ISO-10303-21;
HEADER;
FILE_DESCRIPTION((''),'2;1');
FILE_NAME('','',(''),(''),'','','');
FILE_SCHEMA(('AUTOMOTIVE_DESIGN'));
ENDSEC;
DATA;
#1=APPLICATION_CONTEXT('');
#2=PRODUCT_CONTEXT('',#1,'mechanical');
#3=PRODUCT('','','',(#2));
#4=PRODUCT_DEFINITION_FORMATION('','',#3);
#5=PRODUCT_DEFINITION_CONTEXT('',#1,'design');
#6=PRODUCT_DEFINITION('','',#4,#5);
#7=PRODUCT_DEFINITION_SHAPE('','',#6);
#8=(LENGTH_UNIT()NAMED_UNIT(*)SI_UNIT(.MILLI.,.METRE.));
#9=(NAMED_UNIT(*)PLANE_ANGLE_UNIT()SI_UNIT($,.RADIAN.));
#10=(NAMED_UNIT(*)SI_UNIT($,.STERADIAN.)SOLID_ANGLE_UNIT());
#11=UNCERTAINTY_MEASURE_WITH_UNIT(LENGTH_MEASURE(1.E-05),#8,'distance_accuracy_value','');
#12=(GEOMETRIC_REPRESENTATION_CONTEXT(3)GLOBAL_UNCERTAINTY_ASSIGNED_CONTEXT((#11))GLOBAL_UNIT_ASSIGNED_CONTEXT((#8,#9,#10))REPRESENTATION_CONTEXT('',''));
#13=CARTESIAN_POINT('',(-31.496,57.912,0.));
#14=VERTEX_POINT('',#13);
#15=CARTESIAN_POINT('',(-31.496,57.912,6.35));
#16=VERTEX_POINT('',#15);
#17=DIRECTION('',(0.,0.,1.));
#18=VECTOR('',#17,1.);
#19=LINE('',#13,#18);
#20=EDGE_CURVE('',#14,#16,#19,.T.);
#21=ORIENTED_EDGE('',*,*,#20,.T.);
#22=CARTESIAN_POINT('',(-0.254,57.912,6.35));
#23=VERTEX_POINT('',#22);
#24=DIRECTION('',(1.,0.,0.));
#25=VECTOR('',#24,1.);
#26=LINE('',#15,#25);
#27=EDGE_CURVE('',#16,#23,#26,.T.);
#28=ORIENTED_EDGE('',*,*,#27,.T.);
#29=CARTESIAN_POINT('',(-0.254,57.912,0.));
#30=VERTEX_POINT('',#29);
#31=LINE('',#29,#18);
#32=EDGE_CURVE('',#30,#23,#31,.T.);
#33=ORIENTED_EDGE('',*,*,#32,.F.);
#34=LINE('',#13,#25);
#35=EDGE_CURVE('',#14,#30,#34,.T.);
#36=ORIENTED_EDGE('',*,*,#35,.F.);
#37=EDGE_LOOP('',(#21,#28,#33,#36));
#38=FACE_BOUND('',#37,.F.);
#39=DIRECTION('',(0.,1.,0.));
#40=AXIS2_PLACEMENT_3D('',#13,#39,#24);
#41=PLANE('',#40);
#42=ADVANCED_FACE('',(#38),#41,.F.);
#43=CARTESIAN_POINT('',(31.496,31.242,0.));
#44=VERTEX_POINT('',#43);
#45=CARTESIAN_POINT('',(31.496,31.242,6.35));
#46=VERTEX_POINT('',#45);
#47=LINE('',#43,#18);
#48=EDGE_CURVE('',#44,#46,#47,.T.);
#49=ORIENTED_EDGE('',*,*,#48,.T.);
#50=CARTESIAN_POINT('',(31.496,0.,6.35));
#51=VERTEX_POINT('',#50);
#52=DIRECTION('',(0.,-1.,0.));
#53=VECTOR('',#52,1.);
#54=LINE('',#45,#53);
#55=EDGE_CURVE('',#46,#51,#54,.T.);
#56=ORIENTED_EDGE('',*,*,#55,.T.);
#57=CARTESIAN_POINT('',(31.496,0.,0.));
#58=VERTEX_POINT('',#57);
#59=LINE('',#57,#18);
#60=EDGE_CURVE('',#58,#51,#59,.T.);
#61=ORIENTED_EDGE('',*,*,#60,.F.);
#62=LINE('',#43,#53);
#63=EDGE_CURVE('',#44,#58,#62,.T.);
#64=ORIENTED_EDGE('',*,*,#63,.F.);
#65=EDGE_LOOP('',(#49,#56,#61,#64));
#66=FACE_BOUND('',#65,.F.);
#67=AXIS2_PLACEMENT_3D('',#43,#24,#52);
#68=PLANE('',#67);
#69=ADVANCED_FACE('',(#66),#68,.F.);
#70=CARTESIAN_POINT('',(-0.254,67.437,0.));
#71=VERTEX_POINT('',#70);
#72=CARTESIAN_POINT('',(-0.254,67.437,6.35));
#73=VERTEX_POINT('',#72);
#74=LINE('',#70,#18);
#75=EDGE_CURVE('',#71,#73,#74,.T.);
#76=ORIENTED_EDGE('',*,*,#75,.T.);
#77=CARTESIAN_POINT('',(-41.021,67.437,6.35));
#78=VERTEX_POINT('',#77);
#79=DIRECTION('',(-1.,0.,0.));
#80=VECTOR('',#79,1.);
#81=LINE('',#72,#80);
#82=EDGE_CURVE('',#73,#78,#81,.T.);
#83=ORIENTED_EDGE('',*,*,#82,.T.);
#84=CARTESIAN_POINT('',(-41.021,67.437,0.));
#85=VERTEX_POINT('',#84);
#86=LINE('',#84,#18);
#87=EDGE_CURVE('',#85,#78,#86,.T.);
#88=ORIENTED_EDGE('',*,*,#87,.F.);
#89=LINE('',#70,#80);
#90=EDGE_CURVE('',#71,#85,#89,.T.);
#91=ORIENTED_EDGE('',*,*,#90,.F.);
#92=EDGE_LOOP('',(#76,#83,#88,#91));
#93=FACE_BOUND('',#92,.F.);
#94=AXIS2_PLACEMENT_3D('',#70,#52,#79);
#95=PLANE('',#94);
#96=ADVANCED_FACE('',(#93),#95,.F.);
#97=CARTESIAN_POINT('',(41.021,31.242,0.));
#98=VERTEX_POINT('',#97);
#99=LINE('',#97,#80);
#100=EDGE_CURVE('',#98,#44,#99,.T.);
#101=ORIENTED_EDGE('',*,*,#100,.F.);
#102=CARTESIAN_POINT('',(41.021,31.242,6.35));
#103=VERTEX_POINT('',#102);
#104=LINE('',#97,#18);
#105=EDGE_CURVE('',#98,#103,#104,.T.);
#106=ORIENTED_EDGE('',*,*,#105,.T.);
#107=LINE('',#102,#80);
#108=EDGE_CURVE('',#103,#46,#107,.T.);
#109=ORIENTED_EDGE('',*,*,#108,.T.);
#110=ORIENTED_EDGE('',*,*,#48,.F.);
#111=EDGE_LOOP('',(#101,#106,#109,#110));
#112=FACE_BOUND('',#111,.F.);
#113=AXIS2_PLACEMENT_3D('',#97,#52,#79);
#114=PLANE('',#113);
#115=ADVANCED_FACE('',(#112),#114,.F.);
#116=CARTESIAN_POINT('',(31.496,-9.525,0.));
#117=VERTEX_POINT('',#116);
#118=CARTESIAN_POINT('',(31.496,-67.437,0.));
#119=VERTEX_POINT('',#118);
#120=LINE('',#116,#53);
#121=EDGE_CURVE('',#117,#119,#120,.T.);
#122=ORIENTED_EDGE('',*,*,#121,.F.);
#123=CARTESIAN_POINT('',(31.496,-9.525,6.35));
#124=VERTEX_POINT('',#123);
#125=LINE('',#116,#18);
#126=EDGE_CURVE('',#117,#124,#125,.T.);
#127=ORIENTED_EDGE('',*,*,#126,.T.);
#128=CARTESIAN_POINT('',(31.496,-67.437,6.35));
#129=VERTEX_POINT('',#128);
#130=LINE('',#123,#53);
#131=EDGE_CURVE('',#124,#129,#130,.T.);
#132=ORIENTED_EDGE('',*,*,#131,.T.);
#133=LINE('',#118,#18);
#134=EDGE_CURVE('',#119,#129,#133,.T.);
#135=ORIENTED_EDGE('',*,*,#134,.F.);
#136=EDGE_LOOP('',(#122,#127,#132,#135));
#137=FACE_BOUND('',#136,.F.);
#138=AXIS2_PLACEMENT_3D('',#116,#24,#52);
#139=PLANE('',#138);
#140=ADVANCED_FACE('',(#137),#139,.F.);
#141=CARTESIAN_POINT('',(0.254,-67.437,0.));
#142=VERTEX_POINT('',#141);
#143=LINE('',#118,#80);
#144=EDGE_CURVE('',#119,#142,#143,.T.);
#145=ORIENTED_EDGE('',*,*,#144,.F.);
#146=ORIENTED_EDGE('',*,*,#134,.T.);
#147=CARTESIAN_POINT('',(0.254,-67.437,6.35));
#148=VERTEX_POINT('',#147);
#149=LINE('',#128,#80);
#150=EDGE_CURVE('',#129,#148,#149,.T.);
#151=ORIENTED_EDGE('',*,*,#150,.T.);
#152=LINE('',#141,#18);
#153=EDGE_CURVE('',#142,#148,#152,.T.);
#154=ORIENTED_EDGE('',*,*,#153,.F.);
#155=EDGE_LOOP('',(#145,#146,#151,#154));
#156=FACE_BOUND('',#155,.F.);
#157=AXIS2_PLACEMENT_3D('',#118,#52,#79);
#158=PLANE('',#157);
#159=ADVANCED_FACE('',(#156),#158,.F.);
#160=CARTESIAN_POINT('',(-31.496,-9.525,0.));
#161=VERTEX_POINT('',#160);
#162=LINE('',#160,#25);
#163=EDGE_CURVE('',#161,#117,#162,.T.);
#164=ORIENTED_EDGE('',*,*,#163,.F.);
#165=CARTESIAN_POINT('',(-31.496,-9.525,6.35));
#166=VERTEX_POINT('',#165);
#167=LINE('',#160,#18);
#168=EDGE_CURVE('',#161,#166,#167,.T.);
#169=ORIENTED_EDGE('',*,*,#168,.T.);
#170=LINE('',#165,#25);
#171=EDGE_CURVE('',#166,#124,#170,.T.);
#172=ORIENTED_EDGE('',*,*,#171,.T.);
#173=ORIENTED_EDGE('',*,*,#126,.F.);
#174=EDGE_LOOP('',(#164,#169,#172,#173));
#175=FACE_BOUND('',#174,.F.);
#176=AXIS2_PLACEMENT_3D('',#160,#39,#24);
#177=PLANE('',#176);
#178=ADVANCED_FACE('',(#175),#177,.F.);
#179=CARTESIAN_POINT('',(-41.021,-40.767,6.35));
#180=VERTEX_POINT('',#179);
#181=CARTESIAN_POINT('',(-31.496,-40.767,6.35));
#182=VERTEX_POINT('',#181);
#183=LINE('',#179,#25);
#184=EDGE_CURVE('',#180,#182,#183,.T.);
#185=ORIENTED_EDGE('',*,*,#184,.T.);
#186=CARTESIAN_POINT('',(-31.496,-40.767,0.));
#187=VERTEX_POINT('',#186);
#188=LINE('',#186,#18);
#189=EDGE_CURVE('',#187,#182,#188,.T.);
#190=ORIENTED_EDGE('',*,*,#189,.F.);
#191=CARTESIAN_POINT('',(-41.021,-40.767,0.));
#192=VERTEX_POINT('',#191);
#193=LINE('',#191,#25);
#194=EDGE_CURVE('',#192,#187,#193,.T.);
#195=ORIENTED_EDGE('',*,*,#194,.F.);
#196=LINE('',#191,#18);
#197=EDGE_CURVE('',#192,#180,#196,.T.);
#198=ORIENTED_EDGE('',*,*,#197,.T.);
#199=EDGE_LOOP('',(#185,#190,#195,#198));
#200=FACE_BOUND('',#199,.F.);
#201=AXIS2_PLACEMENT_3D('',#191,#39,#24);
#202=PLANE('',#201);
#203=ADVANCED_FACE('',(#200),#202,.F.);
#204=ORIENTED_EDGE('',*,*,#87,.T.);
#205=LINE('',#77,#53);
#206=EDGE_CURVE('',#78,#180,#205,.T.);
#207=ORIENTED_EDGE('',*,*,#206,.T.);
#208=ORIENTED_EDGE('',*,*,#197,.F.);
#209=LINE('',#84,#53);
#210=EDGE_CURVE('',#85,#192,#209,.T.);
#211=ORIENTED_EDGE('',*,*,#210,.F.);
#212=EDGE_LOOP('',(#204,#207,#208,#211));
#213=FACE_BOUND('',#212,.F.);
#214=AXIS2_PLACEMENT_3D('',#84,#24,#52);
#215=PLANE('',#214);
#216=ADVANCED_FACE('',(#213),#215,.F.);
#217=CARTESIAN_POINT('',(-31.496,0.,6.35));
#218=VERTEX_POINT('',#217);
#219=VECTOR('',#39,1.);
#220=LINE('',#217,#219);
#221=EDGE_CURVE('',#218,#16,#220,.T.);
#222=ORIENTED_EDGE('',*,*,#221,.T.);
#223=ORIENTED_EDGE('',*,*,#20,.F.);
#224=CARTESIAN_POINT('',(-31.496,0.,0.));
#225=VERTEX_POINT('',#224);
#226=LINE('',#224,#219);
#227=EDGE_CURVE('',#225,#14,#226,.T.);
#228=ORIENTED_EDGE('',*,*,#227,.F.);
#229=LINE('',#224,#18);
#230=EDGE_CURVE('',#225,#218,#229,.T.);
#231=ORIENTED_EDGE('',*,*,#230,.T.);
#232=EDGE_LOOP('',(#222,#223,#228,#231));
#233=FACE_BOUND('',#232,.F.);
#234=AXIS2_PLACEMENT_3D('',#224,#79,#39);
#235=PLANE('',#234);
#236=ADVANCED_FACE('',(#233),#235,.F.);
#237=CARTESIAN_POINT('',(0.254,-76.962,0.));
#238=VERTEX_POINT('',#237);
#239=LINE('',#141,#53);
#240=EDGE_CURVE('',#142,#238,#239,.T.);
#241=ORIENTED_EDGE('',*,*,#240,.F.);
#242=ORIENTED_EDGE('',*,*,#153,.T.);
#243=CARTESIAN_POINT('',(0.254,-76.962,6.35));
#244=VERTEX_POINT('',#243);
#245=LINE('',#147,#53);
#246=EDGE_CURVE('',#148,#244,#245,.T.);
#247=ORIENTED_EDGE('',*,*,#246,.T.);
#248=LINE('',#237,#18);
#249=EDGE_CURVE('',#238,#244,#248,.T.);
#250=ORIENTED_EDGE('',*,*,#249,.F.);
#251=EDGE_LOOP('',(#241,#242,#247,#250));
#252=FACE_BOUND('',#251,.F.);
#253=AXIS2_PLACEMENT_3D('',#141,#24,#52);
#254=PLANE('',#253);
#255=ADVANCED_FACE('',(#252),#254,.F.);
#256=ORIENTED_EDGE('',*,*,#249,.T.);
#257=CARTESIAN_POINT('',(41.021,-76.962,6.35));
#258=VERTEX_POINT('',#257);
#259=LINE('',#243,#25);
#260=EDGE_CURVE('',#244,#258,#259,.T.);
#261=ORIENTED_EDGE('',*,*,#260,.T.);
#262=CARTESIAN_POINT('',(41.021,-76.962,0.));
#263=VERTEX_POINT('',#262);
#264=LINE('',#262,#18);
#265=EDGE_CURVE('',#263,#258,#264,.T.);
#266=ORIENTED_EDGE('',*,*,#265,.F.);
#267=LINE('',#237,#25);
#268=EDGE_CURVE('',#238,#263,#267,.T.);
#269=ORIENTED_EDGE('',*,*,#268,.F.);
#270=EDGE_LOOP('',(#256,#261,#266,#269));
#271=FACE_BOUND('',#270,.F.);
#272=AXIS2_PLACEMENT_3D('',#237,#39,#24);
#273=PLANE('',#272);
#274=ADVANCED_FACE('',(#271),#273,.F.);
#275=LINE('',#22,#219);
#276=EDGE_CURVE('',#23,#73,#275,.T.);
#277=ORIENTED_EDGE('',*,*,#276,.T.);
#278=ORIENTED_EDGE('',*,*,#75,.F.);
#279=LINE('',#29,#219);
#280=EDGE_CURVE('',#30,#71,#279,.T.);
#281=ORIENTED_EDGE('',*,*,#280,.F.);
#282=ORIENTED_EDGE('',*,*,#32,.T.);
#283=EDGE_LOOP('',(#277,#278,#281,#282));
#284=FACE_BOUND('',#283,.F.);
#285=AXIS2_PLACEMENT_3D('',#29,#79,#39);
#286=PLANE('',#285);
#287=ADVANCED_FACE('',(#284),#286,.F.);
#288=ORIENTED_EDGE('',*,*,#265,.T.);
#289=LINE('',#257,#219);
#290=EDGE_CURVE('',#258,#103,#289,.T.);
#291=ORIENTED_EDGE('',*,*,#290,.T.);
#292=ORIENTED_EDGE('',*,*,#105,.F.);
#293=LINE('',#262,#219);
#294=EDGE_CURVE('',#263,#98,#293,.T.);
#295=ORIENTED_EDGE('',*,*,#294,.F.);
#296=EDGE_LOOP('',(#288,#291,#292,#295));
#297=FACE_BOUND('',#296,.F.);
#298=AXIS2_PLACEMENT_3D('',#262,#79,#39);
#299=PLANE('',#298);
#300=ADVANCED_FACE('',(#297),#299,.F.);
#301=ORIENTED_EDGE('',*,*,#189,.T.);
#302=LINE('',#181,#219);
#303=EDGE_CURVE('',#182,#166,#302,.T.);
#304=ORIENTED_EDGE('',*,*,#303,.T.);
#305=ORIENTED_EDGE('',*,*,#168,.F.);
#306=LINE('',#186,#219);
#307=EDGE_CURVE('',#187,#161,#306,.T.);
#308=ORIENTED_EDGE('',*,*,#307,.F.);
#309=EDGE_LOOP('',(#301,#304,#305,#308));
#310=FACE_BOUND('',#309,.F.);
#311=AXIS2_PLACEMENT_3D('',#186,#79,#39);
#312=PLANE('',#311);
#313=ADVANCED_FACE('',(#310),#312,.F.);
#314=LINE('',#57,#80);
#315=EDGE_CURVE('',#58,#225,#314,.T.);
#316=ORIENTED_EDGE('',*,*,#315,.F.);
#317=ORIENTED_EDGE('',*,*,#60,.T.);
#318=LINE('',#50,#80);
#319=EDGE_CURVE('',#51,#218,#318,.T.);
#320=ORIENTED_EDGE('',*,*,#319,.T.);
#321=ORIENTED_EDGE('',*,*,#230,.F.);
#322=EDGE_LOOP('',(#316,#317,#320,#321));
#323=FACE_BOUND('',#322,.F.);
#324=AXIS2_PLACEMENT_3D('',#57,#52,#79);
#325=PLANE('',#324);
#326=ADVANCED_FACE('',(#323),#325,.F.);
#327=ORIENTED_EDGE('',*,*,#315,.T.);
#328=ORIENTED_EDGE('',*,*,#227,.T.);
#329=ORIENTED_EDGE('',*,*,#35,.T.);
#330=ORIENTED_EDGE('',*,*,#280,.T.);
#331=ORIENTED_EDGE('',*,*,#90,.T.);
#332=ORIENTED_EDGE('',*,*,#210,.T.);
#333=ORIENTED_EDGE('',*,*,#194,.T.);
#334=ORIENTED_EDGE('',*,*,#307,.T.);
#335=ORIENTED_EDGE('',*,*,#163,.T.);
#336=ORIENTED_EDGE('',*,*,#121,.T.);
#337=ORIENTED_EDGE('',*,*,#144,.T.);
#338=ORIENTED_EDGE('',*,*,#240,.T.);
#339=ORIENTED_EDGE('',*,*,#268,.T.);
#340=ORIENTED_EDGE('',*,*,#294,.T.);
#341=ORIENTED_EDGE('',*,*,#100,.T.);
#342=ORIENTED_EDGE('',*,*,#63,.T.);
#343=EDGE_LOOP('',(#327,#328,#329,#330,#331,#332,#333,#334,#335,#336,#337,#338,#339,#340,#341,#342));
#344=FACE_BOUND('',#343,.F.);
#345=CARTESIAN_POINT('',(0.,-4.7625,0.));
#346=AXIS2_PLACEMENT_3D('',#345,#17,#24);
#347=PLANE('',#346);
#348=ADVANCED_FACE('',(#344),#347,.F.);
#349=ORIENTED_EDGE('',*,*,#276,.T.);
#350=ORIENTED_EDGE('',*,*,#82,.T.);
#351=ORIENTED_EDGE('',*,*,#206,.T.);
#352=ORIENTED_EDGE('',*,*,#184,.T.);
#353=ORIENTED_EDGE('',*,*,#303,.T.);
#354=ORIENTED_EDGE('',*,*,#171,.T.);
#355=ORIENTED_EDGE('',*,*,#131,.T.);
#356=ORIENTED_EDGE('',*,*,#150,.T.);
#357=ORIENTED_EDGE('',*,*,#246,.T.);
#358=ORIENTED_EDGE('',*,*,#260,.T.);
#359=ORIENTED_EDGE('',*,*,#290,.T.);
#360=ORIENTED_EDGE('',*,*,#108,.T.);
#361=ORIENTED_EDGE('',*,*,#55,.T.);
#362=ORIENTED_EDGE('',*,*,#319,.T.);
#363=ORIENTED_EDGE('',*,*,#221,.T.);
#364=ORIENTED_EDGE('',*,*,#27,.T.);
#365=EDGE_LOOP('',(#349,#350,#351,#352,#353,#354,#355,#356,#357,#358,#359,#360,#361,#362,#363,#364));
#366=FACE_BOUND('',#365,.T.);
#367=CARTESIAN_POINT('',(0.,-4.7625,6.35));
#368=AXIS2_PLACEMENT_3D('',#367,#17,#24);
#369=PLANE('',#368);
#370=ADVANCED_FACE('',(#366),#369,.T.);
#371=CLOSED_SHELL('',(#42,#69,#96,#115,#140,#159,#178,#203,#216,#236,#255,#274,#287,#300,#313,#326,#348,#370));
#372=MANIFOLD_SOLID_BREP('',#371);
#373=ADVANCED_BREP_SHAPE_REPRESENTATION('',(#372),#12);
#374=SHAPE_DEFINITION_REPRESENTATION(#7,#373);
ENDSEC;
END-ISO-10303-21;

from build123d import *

# Parameters (mm, degrees)
F1_DEPTH = 6.35


with BuildPart() as f1:
    # F0 (on Top) → F1 (new body)
    with BuildSketch(Plane.XY):
        Polygon((-31.496, 57.912), (-0.254, 57.912), (-0.254, 67.437), (-41.021, 67.437), (-41.021, -40.767), (-31.496, -40.767), (-31.496, -9.525), (31.496, -9.525), (31.496, -67.437), (0.254, -67.437), (0.254, -76.962), (41.021, -76.962), (41.021, 31.242), (31.496, 31.242), (31.496, 0), (-31.496, 0), align=None)
    extrude(amount=F1_DEPTH)


solid = f1.part
